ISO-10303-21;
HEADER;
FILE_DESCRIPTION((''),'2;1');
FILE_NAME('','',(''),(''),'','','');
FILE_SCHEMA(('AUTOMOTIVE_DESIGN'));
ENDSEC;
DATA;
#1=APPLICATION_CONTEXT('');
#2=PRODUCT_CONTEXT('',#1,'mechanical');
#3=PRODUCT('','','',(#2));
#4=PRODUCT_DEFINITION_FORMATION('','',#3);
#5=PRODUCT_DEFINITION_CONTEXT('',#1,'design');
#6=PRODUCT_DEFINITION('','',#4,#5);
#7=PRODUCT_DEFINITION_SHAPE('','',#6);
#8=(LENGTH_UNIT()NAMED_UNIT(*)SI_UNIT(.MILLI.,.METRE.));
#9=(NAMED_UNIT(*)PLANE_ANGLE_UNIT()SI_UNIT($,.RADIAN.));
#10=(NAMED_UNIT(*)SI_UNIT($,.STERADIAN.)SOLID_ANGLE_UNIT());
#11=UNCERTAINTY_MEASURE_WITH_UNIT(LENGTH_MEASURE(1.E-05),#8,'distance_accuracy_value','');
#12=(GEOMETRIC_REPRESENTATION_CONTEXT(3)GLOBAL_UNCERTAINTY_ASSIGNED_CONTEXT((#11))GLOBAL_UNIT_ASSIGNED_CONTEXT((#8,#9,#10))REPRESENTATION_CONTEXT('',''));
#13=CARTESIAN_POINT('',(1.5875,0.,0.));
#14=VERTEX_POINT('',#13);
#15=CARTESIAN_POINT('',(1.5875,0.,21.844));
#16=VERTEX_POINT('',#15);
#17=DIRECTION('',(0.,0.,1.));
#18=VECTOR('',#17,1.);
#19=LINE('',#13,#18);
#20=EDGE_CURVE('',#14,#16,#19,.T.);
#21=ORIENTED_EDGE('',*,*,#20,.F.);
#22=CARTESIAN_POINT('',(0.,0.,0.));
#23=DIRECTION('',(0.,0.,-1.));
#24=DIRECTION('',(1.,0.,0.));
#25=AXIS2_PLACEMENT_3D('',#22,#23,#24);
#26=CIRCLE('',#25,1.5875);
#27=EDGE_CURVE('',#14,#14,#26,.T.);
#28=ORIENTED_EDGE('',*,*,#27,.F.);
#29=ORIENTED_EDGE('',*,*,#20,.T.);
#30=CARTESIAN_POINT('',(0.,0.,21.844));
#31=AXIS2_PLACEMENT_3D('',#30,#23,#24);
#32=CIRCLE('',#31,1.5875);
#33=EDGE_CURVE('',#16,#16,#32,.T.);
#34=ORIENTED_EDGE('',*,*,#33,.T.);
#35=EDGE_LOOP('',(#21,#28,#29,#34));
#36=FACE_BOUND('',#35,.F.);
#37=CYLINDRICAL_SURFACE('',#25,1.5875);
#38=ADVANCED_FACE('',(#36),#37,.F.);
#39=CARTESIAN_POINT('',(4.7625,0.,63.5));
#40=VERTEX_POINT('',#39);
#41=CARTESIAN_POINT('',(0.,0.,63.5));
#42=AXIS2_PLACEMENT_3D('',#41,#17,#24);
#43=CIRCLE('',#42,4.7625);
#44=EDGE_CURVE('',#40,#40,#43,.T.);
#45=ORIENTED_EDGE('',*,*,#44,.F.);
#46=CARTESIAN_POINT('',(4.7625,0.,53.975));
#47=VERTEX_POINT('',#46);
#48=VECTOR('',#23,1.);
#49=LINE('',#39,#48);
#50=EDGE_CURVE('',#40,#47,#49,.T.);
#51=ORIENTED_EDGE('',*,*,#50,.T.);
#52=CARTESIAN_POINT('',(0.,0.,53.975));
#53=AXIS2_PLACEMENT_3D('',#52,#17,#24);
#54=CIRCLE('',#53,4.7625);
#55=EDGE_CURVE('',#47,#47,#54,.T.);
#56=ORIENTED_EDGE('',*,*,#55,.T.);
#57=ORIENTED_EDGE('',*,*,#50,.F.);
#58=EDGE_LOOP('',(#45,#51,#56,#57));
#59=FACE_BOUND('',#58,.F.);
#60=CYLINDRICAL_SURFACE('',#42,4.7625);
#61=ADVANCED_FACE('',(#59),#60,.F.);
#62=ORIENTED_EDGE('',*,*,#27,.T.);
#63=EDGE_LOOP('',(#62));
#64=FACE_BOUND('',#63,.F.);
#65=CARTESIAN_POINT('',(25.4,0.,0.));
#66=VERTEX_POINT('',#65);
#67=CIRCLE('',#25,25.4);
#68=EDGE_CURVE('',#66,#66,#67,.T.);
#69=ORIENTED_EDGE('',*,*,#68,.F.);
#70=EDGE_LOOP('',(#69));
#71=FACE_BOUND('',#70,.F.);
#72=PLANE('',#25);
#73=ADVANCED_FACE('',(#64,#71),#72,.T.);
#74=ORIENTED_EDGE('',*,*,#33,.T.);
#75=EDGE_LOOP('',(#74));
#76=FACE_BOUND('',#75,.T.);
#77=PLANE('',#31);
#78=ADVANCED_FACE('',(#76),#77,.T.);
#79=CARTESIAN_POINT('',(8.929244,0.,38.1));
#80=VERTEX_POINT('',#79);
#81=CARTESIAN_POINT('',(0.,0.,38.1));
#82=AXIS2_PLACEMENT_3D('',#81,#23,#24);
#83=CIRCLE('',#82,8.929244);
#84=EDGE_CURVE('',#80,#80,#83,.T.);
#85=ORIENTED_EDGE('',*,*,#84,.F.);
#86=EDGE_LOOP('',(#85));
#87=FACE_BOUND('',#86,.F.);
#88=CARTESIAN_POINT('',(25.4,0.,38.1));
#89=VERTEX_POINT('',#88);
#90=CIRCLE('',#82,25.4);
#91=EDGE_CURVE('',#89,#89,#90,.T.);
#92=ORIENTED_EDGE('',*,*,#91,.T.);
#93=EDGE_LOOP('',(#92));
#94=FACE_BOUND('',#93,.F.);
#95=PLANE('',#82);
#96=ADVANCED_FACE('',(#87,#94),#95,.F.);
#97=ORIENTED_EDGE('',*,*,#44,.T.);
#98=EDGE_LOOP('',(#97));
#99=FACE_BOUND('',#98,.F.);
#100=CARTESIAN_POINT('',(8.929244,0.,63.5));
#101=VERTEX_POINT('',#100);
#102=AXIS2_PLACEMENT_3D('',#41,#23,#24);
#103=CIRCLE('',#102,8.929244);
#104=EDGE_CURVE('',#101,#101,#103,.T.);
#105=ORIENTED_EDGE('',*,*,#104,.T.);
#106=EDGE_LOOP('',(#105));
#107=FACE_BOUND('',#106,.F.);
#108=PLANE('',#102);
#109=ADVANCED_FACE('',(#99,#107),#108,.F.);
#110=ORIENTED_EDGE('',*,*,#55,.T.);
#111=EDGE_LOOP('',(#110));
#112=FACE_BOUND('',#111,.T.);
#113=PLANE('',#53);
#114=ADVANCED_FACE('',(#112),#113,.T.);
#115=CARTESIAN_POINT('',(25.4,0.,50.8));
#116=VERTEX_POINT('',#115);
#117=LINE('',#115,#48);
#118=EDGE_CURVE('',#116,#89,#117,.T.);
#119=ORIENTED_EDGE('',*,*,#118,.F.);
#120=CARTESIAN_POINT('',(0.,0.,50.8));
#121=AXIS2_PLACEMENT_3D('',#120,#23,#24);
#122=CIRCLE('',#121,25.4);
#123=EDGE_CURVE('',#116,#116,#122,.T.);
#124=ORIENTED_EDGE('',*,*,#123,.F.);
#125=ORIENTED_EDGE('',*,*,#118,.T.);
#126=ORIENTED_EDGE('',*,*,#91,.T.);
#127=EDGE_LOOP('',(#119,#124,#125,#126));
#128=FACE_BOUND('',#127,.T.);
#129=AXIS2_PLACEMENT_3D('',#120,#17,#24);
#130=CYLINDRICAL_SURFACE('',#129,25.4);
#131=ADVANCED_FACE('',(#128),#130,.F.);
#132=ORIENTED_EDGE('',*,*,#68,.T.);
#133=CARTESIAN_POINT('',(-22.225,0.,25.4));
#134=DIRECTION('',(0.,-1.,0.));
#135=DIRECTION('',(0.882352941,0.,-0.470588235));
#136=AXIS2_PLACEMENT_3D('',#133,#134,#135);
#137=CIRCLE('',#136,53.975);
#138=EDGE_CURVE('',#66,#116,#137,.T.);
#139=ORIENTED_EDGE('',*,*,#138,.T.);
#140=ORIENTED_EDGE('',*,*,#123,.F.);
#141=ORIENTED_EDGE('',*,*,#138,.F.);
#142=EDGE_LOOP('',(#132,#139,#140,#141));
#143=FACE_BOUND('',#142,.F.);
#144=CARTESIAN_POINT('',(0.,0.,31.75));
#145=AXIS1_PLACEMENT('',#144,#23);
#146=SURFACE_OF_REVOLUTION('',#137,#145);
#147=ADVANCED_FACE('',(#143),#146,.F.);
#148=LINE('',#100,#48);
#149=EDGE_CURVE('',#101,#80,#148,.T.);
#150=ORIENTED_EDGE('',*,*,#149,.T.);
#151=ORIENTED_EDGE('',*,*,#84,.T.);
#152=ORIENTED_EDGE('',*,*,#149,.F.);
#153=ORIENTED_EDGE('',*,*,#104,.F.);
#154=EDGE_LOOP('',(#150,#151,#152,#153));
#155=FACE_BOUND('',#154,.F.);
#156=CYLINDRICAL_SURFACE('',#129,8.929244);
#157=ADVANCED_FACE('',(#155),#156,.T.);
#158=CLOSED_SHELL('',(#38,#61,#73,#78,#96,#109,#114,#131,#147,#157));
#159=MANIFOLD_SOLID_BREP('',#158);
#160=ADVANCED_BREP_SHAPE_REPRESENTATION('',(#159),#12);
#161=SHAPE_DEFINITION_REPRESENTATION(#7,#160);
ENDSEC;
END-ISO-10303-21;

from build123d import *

# Parameters (mm, degrees)
F3_DEPTH = 12.7
F2_R     = 4.7625
F4_DEPTH = 9.525
F5_R     = 1.5875
F6_DEPTH = 21.844


with BuildPart() as f1:
    # F0 (on Front) → F1 (revolve)
    with BuildSketch(Plane.XZ):
        with BuildLine():
            Line((0, 63.5), (0, 0))
            Line((0, 0), (25.4, 0))
            ThreePointArc((25.4, 0), (31.75, 25.4), (25.4, 50.8))
            Line((25.4, 50.8), (8.9292435173, 50.8))
            Line((8.9292435173, 50.8), (8.9292435173, 63.5))
            Line((8.9292435173, 63.5), (0, 63.5))
        make_face()
    revolve(axis=Axis((0, 0, 31.75), (0, 0, -1)))

    # F3 (cut): a face of the model
    f3_faces = [f1.faces().sort_by_distance(p)[0] for p in [
        (-24.6815795103, 0, 50.8),
    ]]
    extrude(f3_faces, amount=-F3_DEPTH, mode=Mode.SUBTRACT)

    # F2 (on face) → F4 (cut)
    with BuildSketch(Plane.XY.offset(63.5)):
        Circle(F2_R)
    extrude(amount=-F4_DEPTH, mode=Mode.SUBTRACT)

    # F5 (on face) → F6 (cut)
    with BuildSketch(Plane(origin=(0, 0, 0), x_dir=(1, 0, 0), z_dir=(0, 0, -1))):
        Circle(F5_R)
    extrude(amount=-F6_DEPTH, mode=Mode.SUBTRACT)


solid = f1.part
